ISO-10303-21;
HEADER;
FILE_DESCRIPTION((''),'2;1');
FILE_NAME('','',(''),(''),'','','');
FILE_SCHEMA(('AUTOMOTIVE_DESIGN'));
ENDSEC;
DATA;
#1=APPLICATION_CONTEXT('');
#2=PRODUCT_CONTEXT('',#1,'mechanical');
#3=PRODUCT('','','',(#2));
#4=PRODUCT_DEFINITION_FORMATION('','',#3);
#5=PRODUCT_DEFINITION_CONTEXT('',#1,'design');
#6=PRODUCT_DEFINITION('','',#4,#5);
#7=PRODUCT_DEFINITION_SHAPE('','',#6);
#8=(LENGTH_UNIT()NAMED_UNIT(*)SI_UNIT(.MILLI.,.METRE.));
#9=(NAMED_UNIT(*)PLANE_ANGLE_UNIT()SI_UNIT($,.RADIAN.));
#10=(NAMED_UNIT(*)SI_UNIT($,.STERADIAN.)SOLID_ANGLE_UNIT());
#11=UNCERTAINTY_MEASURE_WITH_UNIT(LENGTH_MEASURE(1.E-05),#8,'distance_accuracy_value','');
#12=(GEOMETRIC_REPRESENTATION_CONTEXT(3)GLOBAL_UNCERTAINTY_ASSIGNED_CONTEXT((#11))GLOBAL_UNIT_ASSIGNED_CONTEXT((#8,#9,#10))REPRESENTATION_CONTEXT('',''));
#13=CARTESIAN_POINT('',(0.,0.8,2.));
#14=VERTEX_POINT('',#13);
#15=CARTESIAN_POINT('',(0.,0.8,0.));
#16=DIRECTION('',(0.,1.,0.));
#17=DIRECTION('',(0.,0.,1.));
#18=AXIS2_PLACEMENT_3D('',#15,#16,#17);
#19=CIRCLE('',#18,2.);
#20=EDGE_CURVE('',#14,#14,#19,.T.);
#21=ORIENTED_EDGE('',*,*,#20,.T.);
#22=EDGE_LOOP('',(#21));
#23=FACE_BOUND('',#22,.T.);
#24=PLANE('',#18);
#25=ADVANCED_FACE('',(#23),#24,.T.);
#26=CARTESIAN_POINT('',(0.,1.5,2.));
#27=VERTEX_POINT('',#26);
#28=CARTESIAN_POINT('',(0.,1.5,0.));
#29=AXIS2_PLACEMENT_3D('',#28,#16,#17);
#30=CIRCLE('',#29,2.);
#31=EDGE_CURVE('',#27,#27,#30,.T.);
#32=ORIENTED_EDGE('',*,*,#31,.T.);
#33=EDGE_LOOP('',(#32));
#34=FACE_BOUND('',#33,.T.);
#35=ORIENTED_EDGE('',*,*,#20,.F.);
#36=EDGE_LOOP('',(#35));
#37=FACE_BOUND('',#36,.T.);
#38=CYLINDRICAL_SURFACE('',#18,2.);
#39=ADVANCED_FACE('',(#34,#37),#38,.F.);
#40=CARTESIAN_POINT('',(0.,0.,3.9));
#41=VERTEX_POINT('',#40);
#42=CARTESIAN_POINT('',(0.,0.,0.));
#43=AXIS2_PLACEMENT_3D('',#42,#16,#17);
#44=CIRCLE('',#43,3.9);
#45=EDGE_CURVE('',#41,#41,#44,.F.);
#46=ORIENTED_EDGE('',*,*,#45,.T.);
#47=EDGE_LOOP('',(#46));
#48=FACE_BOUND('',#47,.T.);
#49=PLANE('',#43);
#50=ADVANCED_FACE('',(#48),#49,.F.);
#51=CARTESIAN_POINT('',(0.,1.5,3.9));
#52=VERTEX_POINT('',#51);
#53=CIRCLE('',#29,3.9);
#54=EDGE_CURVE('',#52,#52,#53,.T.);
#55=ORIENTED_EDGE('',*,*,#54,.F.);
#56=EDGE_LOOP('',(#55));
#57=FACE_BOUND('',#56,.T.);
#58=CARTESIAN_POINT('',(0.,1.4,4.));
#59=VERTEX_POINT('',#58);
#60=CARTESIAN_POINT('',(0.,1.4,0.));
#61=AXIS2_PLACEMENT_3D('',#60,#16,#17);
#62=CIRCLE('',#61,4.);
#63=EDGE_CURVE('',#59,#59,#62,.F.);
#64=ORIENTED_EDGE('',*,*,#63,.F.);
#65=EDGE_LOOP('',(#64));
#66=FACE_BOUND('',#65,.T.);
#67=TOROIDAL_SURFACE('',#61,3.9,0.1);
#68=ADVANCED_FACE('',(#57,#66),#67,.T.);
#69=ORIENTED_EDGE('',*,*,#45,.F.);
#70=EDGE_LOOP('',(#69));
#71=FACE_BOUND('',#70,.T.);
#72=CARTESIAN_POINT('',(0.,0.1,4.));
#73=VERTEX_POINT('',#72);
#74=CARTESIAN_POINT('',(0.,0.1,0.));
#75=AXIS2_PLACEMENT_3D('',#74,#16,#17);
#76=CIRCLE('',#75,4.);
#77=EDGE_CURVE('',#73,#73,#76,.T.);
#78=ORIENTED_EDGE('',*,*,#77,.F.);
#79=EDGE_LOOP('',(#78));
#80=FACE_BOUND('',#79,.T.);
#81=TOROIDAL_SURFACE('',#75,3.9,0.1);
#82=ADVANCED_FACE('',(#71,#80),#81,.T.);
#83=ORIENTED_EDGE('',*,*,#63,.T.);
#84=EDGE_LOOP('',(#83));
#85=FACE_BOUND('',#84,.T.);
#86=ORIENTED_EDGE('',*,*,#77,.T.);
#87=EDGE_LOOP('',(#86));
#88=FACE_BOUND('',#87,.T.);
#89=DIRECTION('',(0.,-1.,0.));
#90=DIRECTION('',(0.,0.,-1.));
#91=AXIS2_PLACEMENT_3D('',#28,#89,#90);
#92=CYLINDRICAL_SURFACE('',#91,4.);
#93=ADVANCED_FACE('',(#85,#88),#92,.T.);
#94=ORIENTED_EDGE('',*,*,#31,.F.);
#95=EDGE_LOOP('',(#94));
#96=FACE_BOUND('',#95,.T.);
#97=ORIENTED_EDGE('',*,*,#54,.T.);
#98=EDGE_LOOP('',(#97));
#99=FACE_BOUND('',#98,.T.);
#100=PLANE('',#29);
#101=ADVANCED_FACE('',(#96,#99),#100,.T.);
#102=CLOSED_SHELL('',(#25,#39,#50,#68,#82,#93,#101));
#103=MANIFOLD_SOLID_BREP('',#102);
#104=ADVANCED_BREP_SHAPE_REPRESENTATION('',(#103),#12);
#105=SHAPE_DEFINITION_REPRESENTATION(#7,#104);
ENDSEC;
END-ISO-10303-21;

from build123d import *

# Parameters (mm, degrees)
SKETCH1_R           = 4
BOSS_EXTRUDE1_DEPTH = 1.5
SKETCH2_R           = 2
CUT_EXTRUDE1_DEPTH  = 0.7
FILLET2_R           = 0.1
FILLET3_R           = 0.1


with BuildPart() as part:
    # Sketch1 → Boss-Extrude1 (new body)
    with BuildSketch(Plane(origin=(0, 0, 0), x_dir=(1, 0, 0), z_dir=(0, 1, 0))):
        Circle(SKETCH1_R)
    extrude(amount=BOSS_EXTRUDE1_DEPTH)

    # Sketch2 → Cut-Extrude1 (cut)
    with BuildSketch(Plane(origin=(0, 1.5, 0), x_dir=(1, 0, 0), z_dir=(0, 1, 0))):
        Circle(SKETCH2_R)
    extrude(amount=-CUT_EXTRUDE1_DEPTH, mode=Mode.SUBTRACT)

    # Fillet2
    fillet2_edges = [part.edges().sort_by_distance(p)[0] for p in [
        (-4, 0, 0),
    ]]
    fillet(fillet2_edges, radius=FILLET2_R)

    # Fillet3
    fillet3_edges = [part.edges().sort_by_distance(p)[0] for p in [
        (-4, 1.5, 0),
    ]]
    fillet(fillet3_edges, radius=FILLET3_R)


solid = part.part
